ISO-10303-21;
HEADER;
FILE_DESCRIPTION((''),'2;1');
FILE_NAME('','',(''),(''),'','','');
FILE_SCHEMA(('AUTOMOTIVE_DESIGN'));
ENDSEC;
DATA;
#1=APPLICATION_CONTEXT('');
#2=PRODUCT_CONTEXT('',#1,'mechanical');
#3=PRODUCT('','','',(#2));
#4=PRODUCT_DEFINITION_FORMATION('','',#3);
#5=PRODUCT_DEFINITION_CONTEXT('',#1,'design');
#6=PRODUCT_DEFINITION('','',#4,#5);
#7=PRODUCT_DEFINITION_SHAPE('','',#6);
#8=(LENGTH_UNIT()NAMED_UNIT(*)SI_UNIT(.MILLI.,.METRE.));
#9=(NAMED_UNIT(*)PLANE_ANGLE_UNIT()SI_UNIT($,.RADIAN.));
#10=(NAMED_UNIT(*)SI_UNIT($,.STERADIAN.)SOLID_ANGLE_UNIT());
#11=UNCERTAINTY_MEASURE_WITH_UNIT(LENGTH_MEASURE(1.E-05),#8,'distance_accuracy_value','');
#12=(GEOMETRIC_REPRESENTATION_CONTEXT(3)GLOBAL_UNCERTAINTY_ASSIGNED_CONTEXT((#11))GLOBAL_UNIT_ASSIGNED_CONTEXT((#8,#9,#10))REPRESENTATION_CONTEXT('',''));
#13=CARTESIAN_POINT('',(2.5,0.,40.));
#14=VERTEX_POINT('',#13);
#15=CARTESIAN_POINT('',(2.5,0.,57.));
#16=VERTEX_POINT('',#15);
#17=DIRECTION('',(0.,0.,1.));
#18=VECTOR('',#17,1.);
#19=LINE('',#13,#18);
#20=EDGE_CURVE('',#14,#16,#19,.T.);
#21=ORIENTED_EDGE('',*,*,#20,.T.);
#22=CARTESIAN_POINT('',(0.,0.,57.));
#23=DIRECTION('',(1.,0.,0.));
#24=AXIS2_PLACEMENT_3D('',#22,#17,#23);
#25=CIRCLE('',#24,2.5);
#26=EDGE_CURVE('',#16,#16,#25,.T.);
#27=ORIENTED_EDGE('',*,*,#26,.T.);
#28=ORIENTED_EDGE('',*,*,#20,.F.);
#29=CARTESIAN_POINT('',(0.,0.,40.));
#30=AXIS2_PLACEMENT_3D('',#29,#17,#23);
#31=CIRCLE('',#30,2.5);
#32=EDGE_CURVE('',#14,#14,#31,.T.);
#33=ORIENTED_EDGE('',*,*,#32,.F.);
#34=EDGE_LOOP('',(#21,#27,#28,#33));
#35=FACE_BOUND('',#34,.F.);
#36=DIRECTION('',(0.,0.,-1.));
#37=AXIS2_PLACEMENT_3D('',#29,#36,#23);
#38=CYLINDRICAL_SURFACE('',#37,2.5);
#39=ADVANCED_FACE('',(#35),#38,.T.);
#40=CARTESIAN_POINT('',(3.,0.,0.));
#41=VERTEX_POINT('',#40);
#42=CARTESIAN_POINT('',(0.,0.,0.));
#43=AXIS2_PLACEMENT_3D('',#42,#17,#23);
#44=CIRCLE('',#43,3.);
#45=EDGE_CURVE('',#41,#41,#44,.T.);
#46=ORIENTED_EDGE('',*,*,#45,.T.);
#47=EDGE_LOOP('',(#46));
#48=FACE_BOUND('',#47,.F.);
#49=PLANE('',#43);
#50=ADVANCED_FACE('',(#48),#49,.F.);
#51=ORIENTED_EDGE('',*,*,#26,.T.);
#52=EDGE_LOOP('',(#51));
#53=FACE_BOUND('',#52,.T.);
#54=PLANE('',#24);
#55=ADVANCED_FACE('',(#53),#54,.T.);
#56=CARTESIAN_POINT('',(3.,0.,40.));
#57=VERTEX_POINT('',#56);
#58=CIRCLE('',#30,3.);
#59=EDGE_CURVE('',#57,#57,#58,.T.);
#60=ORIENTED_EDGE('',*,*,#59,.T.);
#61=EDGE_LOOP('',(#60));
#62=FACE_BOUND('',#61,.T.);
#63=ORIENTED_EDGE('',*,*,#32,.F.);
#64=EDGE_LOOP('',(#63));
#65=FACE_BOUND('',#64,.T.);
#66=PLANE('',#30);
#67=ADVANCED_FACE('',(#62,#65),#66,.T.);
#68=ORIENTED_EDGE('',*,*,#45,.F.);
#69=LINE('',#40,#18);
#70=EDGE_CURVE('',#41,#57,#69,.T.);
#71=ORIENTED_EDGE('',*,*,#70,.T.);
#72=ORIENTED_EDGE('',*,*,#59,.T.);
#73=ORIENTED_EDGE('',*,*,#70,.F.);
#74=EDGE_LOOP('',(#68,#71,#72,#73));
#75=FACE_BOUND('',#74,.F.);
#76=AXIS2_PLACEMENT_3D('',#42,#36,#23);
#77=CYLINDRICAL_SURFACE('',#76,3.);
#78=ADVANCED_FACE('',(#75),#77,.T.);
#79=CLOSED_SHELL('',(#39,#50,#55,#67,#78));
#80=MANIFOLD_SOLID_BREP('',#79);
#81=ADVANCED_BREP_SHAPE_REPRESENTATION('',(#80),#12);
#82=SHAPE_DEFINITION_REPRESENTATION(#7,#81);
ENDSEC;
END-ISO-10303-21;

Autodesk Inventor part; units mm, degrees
ref_plane "YZ Plane" through (0, 0, 0) normal (1, 0, 0) x (0, 1, 0)
ref_plane "XZ Plane" through (0, 0, 0) normal (0, 1, 0) x (-1, 0, 0)
ref_plane "XY Plane" through (0, 0, 0) normal (0, 0, 1) x (1, 0, 0)
sketch "スケッチ1" plane through (0, 0, 0) normal (0, 0, 1) x (1, 0, 0)
  circle A0 centre (0, 0) radius 3
  dimension "d0" = 6
extrude "押し出し1" add sketch "スケッチ1" along normal blind 40
sketch "スケッチ2" plane through (0, 0, 40) normal (0, 0, 1) x (1, 0, 0)
  circle A0 centre (0, 0) radius 2.5
  dimension "d3" = 5
extrude "押し出し2" add sketch "スケッチ2" along normal blind 17
properties part number "aircilinder_30_lod"
